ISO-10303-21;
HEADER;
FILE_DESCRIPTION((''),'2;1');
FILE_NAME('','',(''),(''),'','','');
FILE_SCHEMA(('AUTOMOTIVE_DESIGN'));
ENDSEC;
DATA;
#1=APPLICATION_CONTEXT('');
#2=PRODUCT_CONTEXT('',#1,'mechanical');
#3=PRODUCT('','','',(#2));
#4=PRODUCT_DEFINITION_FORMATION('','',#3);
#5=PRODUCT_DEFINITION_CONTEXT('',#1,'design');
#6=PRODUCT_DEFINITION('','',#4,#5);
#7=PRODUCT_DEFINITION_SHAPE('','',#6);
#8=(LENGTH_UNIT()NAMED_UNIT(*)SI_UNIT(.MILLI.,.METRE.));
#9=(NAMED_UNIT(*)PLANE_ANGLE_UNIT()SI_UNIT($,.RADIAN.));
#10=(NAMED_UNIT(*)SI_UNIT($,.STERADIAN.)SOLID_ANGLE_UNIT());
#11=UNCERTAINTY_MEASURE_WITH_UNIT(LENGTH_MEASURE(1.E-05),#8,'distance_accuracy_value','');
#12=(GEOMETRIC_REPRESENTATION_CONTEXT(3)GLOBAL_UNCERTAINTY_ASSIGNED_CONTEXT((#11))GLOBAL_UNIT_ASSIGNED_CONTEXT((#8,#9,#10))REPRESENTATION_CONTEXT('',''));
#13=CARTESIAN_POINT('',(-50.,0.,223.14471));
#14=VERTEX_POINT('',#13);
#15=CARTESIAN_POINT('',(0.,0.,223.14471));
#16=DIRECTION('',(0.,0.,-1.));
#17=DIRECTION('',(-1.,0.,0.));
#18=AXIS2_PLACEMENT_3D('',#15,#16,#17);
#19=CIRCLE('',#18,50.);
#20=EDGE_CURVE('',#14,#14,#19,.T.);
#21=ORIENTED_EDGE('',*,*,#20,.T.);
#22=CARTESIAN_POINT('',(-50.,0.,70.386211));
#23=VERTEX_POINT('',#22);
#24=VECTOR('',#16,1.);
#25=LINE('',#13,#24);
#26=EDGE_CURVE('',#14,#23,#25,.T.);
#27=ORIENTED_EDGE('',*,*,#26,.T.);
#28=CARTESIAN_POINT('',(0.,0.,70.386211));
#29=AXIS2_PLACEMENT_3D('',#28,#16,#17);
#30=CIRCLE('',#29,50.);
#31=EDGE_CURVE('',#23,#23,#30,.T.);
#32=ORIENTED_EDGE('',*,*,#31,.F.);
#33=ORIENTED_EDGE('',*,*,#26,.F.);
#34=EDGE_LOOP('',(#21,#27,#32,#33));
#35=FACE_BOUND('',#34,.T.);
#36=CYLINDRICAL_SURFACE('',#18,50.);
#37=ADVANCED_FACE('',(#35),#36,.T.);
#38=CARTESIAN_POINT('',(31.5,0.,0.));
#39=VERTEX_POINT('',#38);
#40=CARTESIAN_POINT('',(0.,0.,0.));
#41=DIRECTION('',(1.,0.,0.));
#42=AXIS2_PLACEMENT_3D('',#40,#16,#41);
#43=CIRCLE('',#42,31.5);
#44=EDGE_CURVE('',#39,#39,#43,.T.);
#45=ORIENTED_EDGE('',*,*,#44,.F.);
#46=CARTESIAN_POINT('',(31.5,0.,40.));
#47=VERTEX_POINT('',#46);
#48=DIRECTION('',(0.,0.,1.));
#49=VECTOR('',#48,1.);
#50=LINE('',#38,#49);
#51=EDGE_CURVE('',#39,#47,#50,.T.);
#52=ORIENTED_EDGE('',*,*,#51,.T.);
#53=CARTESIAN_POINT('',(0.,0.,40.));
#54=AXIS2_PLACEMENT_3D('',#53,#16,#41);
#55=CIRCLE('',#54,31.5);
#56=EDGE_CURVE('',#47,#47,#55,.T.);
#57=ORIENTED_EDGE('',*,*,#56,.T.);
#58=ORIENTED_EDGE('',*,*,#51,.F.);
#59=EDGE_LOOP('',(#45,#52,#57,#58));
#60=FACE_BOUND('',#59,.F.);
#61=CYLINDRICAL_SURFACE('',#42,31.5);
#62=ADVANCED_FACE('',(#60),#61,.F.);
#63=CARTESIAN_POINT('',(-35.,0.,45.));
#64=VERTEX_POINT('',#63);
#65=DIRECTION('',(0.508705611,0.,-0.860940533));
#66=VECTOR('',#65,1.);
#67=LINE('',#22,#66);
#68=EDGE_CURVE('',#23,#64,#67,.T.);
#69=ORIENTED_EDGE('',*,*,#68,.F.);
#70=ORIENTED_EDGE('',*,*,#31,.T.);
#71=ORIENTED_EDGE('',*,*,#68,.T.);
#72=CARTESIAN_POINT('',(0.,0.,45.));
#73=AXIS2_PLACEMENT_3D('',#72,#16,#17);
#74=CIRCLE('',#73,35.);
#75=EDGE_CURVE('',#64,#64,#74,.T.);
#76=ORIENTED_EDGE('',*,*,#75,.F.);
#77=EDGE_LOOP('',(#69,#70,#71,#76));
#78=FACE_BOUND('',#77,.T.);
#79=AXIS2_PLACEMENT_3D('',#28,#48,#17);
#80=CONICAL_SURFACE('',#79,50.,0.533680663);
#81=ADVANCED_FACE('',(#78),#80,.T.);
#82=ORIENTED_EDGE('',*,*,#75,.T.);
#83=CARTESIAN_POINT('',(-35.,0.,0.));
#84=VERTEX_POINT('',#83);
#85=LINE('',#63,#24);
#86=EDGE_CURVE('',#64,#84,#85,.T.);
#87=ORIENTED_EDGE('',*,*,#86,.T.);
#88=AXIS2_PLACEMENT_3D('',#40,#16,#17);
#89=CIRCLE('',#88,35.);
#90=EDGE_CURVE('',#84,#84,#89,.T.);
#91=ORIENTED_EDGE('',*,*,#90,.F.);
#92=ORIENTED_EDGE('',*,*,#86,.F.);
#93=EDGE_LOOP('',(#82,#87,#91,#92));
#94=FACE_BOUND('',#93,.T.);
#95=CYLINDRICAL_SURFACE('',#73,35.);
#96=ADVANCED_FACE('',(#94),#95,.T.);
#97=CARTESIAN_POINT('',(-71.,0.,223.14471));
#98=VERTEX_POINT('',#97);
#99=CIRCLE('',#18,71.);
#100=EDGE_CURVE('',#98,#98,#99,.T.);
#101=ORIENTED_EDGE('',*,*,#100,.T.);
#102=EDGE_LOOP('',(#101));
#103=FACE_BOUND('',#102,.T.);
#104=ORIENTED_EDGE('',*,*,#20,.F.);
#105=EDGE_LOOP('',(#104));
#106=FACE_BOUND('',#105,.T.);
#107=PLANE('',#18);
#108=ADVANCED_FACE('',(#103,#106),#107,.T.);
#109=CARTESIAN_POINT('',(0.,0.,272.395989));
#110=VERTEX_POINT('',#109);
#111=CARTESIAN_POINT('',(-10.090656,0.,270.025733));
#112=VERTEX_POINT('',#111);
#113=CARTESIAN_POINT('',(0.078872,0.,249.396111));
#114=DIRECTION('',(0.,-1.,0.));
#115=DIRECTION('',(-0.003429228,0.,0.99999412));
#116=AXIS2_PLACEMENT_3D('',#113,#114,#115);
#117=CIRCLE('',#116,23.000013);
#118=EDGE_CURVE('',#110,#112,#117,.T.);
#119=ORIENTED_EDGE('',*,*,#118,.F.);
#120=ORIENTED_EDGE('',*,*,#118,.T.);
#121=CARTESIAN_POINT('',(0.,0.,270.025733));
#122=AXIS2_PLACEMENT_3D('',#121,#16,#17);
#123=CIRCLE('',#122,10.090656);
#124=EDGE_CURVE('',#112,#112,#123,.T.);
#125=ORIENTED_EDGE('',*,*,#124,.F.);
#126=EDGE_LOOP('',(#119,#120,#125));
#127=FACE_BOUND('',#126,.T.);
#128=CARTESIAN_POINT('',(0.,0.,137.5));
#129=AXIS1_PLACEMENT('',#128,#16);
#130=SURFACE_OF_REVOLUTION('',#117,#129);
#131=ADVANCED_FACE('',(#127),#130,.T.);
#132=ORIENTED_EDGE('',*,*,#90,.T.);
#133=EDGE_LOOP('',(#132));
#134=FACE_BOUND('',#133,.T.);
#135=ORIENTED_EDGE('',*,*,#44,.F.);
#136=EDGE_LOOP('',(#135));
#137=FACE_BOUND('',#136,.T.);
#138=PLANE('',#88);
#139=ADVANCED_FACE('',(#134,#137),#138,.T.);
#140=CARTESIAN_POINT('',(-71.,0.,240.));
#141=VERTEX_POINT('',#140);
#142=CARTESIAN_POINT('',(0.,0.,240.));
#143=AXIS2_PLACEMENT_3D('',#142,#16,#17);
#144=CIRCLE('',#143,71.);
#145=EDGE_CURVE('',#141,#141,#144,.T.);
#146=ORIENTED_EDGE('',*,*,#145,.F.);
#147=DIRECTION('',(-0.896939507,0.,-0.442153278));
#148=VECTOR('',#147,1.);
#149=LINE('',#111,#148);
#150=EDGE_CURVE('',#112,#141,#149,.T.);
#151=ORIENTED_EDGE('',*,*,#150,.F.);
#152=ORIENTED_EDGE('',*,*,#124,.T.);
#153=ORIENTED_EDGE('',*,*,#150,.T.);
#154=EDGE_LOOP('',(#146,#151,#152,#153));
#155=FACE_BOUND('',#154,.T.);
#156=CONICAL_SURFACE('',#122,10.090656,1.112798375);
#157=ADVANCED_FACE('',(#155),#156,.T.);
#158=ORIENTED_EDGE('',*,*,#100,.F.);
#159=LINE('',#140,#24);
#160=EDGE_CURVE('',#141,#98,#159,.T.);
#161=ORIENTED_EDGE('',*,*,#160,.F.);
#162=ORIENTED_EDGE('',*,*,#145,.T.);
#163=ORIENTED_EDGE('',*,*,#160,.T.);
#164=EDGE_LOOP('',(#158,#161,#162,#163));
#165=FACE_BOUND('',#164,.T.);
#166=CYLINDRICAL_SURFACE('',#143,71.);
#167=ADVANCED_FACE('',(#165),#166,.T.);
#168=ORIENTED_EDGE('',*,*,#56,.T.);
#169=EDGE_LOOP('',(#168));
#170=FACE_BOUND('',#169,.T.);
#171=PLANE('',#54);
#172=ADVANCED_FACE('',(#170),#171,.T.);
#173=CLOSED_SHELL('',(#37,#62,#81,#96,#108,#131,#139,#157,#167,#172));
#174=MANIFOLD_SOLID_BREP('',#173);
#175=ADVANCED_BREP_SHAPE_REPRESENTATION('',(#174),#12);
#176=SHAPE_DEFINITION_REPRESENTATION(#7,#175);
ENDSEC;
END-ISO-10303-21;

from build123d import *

# Parameters (mm, degrees)
F2_R     = 31.5
F3_DEPTH = 40


with BuildPart() as f1:
    # F0 (on Front) → F1 (revolve)
    with BuildSketch(Plane.XZ):
        with BuildLine():
            Line((-35, 0), (0, 0))
            Line((0, 0), (0, 272.395989))
            ThreePointArc((0, 272.395989), (-5.180591, 271.786704), (-10.090656, 270.025733))
            Line((-10.090656, 270.025733), (-71, 240))
            Line((-71, 240), (-71, 223.14471))
            Line((-71, 223.14471), (-50, 223.14471))
            Line((-50, 223.14471), (-50, 70.386211))
            Line((-50, 70.386211), (-35, 45))
            Line((-35, 45), (-35, 0))
        make_face()
    revolve(axis=Axis((0, 0, 137.5), (0, 0, -1)))

    # F2 (on face) → F3 (cut)
    with BuildSketch(Plane(origin=(0, 0, 0), x_dir=(1, 0, 0), z_dir=(0, 0, -1))):
        Circle(F2_R)
    extrude(amount=-F3_DEPTH, mode=Mode.SUBTRACT)


solid = f1.part
